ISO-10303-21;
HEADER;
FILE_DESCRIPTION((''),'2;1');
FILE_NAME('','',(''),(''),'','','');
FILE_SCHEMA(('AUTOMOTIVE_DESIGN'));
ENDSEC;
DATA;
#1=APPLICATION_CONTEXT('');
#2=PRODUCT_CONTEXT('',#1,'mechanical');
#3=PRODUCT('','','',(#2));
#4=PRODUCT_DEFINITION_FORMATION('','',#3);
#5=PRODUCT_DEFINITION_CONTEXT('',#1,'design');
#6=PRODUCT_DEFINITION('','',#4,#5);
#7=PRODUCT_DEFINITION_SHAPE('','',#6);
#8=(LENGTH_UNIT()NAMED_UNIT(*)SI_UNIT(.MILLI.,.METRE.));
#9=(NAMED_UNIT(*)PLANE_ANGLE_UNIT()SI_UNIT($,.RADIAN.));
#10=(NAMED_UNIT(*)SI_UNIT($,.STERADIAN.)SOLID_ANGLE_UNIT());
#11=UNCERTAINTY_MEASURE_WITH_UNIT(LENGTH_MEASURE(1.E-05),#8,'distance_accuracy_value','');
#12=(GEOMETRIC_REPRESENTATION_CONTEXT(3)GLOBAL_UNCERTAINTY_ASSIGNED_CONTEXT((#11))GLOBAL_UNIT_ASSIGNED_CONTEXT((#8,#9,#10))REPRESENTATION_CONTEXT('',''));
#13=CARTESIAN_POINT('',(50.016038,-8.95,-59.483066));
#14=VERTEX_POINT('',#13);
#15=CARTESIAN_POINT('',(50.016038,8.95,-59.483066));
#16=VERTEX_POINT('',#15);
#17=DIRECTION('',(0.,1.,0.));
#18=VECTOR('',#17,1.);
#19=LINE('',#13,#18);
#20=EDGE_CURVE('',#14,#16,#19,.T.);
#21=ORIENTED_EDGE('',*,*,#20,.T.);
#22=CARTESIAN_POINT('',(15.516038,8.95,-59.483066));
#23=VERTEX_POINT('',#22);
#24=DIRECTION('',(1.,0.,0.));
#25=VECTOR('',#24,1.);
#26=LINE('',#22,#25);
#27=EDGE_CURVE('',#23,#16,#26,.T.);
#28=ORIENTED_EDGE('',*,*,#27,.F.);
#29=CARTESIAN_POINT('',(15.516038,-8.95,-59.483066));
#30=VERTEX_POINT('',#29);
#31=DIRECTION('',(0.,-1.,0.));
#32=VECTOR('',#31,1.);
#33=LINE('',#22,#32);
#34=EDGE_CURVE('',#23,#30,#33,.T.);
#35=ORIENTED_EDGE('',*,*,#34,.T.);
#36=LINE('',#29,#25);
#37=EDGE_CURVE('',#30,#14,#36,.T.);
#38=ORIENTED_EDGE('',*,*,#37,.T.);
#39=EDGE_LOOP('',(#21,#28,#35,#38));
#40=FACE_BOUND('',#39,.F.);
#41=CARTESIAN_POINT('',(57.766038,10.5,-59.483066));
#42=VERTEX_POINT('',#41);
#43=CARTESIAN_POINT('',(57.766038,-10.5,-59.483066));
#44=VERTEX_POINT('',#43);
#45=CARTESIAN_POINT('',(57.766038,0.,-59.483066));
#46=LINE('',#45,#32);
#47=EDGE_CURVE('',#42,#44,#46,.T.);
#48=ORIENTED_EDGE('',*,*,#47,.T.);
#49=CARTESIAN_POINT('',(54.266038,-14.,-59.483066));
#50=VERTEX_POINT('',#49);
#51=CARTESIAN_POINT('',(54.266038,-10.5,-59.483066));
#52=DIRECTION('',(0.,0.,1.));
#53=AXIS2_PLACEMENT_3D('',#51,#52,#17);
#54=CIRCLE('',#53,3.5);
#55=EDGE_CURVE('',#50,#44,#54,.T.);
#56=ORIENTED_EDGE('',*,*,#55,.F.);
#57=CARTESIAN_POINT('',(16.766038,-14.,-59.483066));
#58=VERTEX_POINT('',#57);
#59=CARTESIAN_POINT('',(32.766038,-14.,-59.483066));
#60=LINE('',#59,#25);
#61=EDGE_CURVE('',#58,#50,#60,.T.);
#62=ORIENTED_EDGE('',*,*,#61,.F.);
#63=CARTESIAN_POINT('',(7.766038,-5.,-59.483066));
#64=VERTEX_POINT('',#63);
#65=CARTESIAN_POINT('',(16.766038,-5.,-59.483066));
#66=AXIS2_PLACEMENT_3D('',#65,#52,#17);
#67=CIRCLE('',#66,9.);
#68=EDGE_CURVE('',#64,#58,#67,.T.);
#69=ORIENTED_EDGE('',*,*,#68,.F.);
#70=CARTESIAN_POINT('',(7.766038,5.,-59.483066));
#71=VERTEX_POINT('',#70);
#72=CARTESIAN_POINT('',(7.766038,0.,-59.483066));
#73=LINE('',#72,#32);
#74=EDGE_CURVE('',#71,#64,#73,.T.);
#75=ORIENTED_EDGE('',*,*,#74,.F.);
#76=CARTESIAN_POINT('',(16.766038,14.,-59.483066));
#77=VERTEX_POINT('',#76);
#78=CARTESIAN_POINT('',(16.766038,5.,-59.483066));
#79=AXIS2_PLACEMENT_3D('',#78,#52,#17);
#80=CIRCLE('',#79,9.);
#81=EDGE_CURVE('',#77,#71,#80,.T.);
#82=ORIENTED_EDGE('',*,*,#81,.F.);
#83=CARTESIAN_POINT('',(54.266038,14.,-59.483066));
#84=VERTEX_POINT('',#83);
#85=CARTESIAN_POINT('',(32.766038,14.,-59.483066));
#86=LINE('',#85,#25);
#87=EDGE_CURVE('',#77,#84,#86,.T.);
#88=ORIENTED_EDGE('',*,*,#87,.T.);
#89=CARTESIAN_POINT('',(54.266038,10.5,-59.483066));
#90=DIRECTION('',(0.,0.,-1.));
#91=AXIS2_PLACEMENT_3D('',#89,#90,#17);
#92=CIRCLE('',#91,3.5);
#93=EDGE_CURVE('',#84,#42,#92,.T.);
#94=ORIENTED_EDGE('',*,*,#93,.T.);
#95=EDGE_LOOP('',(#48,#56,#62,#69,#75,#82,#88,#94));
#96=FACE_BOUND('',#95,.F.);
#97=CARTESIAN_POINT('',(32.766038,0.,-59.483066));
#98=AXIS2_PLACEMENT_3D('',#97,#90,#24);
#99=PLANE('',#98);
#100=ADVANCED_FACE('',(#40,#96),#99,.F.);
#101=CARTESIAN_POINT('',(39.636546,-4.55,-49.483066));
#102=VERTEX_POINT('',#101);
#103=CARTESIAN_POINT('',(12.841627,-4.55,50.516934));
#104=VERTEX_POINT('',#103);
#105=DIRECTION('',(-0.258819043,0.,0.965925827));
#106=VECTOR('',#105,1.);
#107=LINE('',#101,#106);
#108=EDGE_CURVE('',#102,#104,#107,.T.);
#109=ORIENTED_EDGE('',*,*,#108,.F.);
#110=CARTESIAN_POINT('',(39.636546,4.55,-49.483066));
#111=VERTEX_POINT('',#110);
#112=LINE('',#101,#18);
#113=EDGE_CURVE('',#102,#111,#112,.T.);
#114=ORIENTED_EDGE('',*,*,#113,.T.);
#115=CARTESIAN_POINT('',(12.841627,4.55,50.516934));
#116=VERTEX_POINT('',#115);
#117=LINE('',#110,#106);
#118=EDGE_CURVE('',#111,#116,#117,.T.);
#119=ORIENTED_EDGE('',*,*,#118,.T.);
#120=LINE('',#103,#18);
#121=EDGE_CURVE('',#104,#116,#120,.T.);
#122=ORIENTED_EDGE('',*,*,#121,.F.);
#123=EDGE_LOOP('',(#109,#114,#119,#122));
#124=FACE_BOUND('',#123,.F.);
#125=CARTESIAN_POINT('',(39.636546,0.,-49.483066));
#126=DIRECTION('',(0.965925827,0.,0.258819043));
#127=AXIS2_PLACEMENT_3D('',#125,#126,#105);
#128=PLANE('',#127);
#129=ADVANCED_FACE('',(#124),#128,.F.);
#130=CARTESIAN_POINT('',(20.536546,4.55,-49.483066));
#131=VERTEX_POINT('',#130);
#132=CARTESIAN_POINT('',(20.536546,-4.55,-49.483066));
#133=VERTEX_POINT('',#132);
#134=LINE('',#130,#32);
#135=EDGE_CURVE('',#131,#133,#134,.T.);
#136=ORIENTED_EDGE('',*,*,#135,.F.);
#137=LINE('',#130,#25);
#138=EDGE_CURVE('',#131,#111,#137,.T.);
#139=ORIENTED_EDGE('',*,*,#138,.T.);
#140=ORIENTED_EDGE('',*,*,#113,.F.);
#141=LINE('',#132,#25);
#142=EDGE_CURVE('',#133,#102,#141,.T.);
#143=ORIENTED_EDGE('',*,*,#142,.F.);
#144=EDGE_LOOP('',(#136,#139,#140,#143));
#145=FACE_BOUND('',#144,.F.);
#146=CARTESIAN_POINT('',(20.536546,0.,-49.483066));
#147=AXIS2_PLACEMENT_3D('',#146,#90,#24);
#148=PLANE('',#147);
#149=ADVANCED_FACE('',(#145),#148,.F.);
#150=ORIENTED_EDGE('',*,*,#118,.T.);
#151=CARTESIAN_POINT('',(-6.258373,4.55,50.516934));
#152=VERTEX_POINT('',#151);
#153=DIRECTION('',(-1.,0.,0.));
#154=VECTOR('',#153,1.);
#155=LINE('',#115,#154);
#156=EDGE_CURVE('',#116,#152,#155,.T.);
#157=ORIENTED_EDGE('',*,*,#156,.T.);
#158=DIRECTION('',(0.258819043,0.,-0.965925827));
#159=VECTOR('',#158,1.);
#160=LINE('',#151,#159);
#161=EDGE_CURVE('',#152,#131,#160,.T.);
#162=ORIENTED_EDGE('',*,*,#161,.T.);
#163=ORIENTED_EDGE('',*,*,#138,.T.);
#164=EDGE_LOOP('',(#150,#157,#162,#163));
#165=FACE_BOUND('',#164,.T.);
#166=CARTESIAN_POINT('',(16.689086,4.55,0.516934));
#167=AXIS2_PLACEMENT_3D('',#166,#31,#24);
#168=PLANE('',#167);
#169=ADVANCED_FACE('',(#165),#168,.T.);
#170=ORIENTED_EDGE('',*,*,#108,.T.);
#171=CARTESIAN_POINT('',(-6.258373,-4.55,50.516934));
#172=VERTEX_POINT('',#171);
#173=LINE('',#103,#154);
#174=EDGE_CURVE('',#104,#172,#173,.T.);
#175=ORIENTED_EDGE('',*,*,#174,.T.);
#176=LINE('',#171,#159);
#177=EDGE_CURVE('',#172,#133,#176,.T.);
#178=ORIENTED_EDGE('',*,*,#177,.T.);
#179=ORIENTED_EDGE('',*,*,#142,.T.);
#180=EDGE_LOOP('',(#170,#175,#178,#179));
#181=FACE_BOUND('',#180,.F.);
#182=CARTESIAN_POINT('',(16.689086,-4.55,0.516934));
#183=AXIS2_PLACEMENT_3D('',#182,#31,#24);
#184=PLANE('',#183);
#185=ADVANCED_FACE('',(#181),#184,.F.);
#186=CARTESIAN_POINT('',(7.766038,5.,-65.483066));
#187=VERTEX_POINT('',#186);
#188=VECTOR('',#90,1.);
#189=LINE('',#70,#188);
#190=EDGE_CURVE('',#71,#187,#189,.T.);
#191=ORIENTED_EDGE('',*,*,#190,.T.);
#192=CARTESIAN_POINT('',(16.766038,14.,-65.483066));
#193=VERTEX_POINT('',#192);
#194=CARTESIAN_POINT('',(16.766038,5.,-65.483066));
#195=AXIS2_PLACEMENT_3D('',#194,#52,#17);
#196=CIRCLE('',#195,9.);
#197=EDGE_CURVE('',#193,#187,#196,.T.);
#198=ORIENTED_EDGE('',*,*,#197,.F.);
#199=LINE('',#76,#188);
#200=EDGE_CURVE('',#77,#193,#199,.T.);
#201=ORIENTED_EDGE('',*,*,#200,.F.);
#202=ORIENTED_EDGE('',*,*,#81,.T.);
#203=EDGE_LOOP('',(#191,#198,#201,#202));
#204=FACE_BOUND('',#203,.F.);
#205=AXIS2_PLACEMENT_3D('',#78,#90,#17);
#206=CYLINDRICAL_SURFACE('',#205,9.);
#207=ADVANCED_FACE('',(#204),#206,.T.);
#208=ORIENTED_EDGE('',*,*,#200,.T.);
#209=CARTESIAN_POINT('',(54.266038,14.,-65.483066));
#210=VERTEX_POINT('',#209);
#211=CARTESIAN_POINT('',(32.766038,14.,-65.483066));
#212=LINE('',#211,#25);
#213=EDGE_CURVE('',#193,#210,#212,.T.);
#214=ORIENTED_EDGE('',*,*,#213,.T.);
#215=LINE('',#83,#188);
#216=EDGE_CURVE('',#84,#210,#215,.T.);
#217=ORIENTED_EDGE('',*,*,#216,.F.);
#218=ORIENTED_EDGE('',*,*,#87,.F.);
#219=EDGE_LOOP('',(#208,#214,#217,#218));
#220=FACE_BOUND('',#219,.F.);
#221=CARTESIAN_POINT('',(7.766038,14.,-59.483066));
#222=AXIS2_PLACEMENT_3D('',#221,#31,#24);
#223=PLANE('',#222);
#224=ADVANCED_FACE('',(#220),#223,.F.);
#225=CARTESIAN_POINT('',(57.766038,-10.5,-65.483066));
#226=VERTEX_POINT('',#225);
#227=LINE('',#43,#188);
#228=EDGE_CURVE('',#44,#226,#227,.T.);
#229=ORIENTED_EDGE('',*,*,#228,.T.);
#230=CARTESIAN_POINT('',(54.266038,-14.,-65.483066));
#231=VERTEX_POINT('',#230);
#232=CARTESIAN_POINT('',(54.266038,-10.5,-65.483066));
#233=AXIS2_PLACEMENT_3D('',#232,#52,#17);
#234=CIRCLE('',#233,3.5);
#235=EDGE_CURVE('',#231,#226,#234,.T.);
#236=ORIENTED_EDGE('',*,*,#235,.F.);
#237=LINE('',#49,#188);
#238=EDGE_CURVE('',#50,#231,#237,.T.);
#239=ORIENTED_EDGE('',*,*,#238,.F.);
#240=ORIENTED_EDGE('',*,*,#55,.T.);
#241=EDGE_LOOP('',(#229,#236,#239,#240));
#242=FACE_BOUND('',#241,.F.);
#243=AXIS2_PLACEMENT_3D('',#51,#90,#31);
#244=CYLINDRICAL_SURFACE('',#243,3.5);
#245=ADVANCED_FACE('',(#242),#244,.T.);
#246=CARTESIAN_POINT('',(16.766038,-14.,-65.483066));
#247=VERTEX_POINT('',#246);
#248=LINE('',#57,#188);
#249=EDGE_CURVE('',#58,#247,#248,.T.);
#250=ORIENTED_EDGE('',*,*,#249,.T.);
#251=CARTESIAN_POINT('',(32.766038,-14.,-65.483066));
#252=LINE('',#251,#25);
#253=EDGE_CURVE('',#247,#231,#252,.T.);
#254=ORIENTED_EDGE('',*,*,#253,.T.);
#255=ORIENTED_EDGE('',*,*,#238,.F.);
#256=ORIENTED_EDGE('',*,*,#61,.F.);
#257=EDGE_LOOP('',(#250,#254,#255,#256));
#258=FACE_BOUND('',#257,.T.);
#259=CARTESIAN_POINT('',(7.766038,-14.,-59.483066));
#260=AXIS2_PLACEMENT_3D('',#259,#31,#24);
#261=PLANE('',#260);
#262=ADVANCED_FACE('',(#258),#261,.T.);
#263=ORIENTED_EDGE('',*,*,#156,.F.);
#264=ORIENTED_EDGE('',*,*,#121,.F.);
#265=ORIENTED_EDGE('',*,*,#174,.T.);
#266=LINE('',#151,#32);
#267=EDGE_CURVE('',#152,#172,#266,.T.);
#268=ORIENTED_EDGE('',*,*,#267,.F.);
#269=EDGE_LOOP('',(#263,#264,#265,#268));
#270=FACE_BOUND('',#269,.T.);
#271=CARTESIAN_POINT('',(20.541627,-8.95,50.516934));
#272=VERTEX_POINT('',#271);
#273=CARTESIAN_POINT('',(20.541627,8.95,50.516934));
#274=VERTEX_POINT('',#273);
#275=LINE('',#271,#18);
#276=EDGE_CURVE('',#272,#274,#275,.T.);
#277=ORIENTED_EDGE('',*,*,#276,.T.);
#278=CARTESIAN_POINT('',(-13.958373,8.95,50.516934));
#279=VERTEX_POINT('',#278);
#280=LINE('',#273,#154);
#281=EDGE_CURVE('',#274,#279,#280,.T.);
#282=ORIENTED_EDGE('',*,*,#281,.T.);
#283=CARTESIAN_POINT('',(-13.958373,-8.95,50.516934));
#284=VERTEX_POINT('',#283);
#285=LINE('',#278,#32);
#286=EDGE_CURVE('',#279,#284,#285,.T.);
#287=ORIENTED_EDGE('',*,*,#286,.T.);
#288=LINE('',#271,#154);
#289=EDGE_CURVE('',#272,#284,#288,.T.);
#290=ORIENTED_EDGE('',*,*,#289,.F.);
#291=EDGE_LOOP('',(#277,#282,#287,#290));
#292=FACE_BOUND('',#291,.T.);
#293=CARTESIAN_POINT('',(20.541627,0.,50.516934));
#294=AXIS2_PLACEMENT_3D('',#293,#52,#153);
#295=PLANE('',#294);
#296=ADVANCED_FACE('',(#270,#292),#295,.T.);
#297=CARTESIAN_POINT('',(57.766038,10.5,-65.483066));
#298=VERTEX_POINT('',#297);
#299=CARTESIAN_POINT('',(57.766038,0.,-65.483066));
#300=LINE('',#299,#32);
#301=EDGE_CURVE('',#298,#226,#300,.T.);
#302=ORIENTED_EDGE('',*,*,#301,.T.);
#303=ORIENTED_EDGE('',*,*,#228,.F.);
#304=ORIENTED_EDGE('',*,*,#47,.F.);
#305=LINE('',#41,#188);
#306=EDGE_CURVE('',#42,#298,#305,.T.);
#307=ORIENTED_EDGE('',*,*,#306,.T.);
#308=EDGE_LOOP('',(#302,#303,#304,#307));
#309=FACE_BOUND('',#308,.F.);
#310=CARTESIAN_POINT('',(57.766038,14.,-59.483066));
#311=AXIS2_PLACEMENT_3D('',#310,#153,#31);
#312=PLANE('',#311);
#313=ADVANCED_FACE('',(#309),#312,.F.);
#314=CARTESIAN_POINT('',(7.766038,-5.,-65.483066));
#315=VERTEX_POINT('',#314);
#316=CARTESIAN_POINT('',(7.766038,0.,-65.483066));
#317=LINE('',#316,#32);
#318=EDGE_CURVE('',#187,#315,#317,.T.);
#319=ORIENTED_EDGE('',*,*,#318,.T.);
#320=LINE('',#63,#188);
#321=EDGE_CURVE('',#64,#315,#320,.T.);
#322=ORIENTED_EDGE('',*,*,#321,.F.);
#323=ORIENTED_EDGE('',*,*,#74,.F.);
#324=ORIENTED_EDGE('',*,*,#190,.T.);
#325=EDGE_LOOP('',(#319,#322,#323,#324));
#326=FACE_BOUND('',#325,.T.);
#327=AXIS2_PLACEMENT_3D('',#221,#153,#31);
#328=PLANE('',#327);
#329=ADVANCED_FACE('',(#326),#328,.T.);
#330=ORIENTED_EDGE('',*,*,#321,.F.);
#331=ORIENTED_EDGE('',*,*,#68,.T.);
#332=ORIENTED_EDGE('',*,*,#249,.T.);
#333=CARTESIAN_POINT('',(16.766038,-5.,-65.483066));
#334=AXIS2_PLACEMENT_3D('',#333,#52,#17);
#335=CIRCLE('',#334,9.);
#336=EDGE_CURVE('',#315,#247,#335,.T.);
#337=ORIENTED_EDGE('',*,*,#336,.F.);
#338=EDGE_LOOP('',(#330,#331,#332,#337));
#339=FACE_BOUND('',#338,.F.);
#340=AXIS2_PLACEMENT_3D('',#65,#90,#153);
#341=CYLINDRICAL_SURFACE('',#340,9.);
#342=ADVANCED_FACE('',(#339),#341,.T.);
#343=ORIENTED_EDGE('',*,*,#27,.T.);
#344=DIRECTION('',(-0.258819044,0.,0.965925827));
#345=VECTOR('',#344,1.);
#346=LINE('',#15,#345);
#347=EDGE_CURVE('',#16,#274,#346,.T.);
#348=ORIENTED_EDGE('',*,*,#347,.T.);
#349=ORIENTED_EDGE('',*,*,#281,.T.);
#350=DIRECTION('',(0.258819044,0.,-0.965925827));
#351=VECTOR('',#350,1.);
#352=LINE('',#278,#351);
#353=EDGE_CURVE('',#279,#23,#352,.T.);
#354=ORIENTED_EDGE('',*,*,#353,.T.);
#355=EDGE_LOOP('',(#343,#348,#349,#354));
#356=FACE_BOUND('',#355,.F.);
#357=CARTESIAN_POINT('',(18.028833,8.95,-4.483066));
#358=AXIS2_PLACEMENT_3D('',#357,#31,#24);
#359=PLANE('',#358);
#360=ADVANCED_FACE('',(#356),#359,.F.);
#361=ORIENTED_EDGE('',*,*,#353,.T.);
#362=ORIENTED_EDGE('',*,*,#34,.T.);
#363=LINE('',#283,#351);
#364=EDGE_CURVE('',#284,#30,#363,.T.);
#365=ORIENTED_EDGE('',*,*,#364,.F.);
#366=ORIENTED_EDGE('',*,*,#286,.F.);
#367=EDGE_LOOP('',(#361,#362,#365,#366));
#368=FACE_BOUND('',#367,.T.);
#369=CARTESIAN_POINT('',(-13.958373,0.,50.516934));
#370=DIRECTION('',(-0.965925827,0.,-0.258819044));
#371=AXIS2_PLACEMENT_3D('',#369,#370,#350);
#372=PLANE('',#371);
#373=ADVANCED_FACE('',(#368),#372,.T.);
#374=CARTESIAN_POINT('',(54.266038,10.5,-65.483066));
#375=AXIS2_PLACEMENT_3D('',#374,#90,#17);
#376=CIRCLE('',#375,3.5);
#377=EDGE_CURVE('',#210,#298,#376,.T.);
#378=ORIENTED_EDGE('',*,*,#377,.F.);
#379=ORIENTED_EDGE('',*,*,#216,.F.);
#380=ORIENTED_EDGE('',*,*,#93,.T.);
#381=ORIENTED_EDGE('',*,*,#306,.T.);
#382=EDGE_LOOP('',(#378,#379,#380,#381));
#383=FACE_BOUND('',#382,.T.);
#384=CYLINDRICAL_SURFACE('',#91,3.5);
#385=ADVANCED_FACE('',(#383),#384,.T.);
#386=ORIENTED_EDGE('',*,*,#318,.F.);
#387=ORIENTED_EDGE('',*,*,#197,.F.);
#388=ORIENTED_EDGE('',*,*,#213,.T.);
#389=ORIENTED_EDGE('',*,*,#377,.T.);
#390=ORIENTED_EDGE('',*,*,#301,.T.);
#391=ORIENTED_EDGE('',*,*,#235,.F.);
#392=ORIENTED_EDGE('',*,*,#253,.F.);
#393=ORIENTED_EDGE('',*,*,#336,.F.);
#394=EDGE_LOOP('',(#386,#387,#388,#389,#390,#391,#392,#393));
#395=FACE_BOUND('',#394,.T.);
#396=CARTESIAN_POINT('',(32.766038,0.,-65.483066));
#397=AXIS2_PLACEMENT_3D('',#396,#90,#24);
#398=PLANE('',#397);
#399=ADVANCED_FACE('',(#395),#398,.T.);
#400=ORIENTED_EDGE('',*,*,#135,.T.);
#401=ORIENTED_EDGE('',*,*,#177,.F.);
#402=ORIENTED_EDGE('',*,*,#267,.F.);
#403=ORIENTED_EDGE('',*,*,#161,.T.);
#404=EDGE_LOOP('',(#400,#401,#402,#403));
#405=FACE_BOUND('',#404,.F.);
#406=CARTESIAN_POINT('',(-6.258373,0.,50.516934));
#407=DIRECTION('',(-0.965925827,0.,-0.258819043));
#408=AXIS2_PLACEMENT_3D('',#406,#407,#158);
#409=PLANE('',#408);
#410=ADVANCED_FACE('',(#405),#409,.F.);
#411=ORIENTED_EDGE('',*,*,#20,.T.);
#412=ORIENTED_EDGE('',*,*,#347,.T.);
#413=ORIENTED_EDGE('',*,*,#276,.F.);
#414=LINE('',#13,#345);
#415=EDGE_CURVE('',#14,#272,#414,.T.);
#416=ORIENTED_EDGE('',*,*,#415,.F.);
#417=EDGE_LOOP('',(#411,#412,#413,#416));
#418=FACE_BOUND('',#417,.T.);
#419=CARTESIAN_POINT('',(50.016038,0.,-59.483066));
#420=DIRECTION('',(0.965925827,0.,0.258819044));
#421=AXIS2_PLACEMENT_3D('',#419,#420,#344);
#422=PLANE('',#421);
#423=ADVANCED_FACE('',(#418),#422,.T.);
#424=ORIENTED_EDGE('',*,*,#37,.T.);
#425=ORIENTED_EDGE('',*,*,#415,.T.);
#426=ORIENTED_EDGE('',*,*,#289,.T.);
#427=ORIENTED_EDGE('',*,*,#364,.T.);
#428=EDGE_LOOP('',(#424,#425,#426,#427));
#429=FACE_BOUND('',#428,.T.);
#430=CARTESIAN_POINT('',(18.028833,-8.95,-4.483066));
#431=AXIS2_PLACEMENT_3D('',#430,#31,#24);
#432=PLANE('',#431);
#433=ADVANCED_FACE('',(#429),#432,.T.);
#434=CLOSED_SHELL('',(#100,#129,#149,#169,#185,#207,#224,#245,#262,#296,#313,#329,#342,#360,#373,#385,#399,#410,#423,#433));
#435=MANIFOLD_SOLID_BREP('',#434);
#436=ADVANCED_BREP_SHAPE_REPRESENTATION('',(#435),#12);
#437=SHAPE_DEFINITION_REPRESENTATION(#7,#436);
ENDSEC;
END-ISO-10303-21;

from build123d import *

# Parameters (mm, degrees)
F1_DEPTH = 8.95
F2_W     = 50
F2_H     = 28
F2_W_2   = 34.5
F2_H_2   = 17.9
F3_DEPTH = 6
F5_DEPTH = 4.55
F6_R     = 3.5
F7_R     = 9


with BuildPart() as f1:
    # F0 (on Front) → F1 (new body, symmetric)
    with BuildSketch(Plane.XZ):
        Polygon((20.541627, 50.516934), (-13.958373, 50.516934), (15.516038, -59.483066), (50.016038, -59.483066), align=None)
    extrude(amount=F1_DEPTH, both=True)

    # F2 (on face) → F3 (join)
    with BuildSketch(Plane(origin=(0, 0, -59.483066), x_dir=(1, 0, 0), z_dir=(0, 0, -1))):
        with Locations((32.766038, 0)):
            Rectangle(F2_W, F2_H)
        with Locations((32.766038, 0)):
            Rectangle(F2_W_2, F2_H_2, mode=Mode.SUBTRACT)
        with Locations((32.766038, 0)):
            Rectangle(F2_W_2, F2_H_2)
    extrude(amount=F3_DEPTH)

    # F4 (on Front) → F5 (cut, symmetric)
    with BuildSketch(Plane.XZ):
        Polygon((12.841627, 50.516934), (-6.258373, 50.516934), (20.536546, -49.483066), (39.636546, -49.483066), align=None)
    extrude(amount=F5_DEPTH, both=True, mode=Mode.SUBTRACT)

    # F6
    f6_edges = [f1.edges().sort_by_distance(p)[0] for p in [
        (57.766038, -14, -62.483066),
        (57.766038, 14, -62.483066),
    ]]
    fillet(f6_edges, radius=F6_R)

    # F7
    f7_edges = [f1.edges().sort_by_distance(p)[0] for p in [
        (7.766038, -14, -62.483066),
        (7.766038, 14, -62.483066),
    ]]
    fillet(f7_edges, radius=F7_R)


solid = f1.part
